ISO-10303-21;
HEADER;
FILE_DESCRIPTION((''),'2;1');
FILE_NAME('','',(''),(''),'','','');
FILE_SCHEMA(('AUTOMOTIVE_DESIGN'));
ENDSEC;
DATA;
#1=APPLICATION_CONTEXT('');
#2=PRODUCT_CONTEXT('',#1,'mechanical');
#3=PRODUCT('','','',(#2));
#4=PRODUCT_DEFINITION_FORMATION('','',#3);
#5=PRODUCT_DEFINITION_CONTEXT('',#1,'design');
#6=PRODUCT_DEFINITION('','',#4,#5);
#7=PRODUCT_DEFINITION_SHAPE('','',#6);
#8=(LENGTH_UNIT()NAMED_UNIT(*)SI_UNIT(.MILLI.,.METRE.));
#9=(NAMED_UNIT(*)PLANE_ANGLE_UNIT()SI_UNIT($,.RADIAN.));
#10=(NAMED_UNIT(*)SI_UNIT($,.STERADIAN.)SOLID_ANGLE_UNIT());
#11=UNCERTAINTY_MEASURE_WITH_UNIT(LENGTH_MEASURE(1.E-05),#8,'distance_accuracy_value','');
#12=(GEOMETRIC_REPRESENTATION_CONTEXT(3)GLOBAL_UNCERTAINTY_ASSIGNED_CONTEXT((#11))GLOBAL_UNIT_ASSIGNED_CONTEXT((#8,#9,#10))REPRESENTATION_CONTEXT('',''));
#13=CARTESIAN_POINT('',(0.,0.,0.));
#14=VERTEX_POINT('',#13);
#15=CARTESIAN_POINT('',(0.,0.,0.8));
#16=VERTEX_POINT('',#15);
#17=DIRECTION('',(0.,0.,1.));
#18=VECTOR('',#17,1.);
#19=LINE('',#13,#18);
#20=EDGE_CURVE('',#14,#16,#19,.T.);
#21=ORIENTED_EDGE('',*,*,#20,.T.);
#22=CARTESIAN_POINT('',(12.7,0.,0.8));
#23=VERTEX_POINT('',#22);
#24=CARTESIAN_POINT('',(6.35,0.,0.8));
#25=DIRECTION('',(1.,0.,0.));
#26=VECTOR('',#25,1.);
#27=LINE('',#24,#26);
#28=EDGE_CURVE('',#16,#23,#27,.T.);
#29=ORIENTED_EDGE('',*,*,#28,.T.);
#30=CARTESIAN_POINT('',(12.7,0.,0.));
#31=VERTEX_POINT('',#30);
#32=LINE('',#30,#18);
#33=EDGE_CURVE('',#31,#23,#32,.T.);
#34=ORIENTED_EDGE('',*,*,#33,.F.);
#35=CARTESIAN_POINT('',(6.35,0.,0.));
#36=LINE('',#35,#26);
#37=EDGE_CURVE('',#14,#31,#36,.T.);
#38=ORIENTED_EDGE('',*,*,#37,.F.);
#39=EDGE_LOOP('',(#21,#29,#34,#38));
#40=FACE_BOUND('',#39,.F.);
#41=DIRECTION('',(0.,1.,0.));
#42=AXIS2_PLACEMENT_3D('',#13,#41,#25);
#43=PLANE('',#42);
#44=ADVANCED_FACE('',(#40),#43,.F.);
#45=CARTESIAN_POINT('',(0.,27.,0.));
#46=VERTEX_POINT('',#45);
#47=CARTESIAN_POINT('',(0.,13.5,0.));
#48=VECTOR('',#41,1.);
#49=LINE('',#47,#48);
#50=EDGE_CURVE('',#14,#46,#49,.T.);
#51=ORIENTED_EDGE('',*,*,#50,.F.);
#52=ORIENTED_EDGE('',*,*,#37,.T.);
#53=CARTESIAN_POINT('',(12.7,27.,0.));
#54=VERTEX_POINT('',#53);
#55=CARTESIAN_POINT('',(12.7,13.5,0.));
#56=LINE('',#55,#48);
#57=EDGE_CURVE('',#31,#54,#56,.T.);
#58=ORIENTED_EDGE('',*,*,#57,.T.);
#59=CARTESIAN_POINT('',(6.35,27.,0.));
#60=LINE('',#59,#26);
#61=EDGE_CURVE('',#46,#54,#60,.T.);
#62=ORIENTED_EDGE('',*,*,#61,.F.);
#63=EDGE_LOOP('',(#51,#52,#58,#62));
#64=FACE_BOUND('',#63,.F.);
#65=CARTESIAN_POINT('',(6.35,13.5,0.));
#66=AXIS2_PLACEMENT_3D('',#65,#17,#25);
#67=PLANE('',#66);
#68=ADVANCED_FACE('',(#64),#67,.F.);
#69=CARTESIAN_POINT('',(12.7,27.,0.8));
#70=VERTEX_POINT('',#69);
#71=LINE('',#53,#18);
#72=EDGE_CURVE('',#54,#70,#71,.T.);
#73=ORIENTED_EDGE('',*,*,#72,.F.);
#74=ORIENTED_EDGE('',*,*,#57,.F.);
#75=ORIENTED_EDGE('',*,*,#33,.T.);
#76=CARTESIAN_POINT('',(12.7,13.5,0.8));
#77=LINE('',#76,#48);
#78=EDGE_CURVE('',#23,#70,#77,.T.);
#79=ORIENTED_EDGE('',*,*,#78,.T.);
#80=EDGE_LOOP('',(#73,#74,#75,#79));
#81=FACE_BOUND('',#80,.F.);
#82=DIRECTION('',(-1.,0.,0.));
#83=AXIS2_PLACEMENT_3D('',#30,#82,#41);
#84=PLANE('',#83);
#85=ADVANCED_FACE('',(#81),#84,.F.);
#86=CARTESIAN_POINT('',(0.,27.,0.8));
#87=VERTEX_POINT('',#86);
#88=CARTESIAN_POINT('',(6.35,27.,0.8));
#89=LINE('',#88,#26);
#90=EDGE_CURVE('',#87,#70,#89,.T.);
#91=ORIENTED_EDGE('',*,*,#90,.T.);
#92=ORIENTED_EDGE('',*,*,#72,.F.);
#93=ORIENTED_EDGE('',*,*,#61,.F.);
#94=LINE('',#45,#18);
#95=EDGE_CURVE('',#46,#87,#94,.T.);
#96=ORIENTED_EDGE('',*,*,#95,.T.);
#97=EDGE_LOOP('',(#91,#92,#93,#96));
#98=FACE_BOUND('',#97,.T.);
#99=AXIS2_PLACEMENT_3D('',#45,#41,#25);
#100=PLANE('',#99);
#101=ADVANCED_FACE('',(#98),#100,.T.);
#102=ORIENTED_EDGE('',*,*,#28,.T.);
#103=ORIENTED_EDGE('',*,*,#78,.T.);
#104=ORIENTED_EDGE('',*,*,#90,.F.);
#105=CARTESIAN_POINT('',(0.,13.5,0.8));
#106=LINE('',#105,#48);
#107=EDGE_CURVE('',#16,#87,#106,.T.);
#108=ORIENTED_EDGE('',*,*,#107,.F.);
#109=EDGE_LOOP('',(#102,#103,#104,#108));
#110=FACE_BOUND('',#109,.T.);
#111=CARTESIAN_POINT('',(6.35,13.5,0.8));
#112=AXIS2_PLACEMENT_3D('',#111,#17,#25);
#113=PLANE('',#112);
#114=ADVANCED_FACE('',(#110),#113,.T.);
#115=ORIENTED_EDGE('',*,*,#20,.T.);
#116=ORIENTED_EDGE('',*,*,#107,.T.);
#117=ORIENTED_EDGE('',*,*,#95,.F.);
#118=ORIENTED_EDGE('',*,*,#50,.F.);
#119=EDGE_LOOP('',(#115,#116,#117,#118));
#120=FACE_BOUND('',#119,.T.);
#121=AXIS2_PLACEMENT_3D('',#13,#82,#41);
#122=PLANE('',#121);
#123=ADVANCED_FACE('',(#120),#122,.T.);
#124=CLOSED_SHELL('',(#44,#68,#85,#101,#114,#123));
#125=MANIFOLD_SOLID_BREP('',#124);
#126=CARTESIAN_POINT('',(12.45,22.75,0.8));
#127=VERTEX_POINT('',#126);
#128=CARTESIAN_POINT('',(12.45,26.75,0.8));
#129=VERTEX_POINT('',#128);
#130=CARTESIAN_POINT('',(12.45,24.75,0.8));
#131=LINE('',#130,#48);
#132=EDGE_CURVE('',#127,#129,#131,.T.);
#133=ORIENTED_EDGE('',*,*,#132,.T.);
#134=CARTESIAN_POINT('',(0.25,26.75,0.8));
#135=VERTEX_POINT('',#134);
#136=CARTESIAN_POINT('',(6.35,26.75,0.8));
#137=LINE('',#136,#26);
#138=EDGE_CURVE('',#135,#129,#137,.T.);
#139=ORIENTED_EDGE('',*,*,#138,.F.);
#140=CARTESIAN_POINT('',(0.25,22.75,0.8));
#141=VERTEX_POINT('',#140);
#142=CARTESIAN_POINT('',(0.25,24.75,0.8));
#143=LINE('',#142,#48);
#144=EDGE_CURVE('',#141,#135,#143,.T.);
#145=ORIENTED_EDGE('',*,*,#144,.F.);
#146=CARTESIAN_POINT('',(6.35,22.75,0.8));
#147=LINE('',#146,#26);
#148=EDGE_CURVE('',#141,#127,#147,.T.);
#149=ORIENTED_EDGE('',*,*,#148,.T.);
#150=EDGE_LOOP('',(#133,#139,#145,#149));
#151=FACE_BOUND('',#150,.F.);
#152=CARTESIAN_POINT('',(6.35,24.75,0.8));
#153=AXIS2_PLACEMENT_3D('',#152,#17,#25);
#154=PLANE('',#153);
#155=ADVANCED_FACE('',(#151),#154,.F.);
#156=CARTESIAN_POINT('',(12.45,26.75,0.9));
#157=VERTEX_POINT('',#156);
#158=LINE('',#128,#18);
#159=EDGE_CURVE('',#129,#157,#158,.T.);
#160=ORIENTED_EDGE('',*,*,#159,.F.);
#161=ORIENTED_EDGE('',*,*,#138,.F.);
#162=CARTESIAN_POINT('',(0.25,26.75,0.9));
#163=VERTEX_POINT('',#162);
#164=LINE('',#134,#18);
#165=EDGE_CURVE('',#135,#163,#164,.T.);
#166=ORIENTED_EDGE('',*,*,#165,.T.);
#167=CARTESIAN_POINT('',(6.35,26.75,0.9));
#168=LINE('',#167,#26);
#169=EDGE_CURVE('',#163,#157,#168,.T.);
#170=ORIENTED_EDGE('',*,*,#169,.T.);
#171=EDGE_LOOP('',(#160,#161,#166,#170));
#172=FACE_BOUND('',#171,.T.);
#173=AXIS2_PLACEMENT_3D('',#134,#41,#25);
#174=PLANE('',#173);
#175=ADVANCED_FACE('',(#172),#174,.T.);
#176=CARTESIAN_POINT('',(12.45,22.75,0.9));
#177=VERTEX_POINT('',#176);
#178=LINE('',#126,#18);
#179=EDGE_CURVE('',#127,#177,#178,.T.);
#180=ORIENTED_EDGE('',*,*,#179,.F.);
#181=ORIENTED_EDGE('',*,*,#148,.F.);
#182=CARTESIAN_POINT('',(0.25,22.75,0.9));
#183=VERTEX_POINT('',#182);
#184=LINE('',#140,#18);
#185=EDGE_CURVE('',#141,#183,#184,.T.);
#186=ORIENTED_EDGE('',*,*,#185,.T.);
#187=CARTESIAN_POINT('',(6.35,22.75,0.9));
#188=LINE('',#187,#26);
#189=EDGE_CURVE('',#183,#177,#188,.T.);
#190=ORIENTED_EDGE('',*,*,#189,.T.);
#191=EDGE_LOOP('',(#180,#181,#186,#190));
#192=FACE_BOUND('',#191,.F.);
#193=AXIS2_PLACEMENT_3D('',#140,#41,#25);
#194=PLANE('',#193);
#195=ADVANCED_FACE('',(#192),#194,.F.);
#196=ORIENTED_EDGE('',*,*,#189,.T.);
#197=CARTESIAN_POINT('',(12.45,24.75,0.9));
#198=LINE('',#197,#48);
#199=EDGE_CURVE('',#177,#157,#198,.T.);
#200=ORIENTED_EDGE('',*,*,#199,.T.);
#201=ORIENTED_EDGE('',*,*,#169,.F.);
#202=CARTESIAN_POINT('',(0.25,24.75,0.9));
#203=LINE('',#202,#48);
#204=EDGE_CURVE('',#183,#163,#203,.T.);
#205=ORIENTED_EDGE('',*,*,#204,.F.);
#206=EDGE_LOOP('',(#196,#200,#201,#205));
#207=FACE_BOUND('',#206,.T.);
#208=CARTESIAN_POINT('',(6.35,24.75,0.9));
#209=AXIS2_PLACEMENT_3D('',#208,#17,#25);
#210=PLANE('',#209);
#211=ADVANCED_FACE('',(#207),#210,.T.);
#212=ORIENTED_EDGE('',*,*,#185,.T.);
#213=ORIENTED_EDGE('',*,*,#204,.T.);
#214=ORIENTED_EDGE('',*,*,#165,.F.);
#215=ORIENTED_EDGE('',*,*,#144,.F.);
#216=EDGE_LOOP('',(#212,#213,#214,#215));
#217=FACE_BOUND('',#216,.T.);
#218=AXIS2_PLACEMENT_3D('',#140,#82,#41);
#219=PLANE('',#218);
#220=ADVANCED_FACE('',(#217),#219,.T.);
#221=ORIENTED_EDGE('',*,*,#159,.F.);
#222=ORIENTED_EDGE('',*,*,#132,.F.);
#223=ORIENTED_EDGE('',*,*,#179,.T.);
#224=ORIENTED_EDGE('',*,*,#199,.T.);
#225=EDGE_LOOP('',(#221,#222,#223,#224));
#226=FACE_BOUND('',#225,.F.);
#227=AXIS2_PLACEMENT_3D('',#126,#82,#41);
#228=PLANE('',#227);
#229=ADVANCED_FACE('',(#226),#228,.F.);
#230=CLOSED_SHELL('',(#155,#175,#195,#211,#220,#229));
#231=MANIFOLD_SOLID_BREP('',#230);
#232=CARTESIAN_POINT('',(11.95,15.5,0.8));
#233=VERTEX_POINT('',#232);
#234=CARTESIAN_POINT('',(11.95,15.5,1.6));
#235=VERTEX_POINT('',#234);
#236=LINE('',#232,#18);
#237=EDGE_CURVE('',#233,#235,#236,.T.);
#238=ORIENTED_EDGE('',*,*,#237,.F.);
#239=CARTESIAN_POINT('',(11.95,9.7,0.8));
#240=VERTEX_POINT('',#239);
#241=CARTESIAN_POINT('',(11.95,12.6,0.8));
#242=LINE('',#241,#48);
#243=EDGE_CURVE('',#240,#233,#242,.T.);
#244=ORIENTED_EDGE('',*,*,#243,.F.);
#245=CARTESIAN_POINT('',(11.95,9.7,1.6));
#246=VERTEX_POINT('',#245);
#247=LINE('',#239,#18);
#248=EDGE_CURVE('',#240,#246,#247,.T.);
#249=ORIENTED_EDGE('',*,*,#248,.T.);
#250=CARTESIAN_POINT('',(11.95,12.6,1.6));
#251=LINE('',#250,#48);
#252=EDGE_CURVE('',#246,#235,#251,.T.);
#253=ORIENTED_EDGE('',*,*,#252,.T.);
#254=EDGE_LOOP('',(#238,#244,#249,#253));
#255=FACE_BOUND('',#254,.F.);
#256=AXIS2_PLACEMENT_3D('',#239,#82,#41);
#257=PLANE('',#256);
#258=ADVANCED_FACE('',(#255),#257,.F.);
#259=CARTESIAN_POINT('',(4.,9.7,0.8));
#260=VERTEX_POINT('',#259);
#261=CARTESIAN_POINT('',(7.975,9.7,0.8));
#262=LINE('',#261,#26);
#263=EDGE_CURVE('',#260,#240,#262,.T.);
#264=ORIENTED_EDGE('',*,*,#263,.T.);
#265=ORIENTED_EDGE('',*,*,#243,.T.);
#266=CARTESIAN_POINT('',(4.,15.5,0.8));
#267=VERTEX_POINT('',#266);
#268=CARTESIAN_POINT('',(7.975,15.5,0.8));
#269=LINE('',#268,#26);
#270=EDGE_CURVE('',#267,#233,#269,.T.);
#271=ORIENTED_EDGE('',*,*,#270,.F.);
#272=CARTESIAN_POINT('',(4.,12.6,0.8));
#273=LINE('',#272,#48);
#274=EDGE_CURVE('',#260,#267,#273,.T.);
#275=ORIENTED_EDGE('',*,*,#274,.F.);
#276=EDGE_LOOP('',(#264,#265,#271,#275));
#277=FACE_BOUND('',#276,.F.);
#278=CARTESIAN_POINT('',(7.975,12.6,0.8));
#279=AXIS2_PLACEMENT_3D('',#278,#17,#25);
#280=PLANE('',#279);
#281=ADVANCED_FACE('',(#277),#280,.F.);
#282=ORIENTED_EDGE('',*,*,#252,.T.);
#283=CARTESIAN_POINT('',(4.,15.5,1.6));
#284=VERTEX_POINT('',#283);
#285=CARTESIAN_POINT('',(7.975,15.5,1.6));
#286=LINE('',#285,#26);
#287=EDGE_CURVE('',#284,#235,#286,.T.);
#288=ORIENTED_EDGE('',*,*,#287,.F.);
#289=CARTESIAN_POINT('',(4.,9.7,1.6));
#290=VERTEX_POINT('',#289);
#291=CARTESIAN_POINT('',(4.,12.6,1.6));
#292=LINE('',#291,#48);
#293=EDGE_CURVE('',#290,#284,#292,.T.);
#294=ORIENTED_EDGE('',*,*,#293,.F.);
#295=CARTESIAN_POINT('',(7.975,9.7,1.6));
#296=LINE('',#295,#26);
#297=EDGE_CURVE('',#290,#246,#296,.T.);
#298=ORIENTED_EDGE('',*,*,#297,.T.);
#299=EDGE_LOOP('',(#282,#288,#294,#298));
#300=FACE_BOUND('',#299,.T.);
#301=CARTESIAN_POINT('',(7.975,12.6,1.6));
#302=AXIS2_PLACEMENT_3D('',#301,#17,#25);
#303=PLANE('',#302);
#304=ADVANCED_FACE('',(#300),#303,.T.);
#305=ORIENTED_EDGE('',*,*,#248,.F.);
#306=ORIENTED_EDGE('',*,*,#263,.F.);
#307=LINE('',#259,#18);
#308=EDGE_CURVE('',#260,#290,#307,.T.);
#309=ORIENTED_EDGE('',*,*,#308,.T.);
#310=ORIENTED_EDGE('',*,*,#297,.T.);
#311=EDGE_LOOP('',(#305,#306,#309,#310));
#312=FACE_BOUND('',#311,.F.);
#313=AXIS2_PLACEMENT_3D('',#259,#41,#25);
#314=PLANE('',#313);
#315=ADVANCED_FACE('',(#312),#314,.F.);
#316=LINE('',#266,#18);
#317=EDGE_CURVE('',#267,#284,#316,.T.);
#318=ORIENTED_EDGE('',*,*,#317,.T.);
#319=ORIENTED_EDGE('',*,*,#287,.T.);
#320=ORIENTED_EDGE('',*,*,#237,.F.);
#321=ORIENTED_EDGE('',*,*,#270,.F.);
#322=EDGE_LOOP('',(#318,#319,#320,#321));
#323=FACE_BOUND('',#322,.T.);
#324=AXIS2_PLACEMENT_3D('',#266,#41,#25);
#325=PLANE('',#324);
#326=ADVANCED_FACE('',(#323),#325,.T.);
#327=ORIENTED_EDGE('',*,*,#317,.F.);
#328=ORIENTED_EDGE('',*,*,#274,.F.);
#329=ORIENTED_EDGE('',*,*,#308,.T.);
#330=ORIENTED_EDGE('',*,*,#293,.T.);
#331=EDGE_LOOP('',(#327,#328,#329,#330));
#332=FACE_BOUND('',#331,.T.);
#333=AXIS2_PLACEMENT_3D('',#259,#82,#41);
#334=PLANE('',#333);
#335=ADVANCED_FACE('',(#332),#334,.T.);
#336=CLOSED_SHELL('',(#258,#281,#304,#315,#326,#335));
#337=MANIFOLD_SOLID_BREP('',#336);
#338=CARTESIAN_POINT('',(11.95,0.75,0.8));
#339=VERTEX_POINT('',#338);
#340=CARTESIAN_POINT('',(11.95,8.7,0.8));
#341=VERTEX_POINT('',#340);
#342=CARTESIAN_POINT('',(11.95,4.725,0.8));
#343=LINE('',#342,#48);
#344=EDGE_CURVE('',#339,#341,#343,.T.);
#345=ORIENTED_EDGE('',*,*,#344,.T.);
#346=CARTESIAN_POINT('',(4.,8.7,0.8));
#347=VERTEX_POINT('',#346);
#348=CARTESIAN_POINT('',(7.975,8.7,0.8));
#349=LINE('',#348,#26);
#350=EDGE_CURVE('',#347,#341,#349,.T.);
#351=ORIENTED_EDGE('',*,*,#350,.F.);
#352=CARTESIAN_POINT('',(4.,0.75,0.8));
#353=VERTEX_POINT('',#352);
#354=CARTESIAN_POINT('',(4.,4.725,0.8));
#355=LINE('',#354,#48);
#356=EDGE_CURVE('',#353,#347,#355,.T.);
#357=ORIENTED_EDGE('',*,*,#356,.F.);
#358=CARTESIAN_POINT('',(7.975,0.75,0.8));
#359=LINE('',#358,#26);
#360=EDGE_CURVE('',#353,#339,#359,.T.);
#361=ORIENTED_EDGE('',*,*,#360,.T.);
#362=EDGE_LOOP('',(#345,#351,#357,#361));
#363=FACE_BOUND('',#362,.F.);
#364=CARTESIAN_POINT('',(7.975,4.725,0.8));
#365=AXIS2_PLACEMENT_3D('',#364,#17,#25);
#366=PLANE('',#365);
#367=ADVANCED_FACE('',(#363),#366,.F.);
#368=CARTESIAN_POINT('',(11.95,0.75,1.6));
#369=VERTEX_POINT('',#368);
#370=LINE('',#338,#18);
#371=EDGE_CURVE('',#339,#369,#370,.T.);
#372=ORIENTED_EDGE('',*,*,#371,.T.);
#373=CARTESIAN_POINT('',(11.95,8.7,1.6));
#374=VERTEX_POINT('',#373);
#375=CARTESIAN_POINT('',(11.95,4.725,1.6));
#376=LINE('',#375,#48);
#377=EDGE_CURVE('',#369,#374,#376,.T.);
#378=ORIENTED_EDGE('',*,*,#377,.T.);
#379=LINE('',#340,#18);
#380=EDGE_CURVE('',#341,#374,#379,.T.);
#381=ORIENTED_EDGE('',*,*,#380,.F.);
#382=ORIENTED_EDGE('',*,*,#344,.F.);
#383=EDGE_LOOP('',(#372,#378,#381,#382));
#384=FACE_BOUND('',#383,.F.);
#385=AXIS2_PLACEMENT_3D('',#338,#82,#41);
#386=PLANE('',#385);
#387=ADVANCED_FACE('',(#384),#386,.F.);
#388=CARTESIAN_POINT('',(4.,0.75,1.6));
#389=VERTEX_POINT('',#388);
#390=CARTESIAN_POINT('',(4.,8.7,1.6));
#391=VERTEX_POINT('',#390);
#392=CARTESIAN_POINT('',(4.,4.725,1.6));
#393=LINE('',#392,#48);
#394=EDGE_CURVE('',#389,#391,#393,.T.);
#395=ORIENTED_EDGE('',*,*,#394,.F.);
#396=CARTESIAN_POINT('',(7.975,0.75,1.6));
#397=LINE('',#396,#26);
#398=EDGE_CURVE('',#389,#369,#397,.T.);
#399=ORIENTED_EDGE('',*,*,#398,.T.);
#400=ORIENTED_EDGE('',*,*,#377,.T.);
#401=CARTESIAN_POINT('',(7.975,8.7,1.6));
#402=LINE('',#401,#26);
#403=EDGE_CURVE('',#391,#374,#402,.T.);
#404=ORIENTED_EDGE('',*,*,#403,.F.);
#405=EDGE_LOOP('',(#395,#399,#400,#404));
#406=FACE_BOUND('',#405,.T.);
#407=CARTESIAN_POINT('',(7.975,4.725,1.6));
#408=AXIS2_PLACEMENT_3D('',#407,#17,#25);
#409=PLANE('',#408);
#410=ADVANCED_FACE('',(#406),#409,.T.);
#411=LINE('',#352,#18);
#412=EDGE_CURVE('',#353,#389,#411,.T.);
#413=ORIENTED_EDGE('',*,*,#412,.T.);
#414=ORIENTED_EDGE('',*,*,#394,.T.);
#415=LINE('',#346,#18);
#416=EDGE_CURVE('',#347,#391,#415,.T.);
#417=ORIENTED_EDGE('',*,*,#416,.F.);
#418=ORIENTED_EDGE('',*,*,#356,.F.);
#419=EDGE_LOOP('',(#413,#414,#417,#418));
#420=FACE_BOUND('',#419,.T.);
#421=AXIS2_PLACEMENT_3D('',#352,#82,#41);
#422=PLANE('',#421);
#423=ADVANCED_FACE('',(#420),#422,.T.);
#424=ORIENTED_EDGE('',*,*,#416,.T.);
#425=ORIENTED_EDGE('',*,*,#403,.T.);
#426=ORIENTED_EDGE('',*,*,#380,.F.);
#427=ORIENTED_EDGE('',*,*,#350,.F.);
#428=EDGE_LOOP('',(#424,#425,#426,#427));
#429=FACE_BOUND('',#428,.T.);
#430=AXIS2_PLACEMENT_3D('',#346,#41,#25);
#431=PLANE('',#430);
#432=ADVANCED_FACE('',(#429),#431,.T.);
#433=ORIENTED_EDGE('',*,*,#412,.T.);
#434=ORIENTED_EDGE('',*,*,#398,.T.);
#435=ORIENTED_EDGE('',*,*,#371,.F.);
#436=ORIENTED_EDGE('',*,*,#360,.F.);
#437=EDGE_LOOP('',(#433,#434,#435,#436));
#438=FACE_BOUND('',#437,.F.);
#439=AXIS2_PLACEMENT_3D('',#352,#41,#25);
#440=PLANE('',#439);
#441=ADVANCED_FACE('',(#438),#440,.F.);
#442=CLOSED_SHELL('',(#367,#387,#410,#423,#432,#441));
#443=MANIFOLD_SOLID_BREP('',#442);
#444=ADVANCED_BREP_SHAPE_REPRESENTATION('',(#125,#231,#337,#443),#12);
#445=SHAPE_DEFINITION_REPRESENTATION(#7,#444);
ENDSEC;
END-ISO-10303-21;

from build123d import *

# Parameters (mm, degrees)
F0_W     = 12.7
F0_H     = 27
F1_DEPTH = 0.8
F2_W     = 7.95
F2_H     = 7.95
F2_H_2   = 5.8
F3_DEPTH = 0.8
F4_W     = 12.2
F4_H     = 4
F5_DEPTH = 0.1


with BuildPart() as f1:
    # F0 (on Top) → F1 (new body)
    with BuildSketch(Plane.XY):
        with Locations((6.35, 13.5)):
            Rectangle(F0_W, F0_H)
    extrude(amount=F1_DEPTH)


with BuildPart() as f3:
    # F2 (on face) → F3 (new body)
    with BuildSketch(Plane.XY.offset(0.8)):
        with Locations((7.975, 4.725)):
            Rectangle(F2_W, F2_H)
        with Locations((7.975, 12.6)):
            Rectangle(F2_W, F2_H_2)
    extrude(amount=F3_DEPTH)


with BuildPart() as f5:
    # F4 (on face) → F5 (new body)
    with BuildSketch(Plane.XY.offset(0.8)):
        with Locations((6.35, 24.75)):
            Rectangle(F4_W, F4_H)
    extrude(amount=F5_DEPTH)


solid = Compound([f1.part, f3.part, f5.part])
